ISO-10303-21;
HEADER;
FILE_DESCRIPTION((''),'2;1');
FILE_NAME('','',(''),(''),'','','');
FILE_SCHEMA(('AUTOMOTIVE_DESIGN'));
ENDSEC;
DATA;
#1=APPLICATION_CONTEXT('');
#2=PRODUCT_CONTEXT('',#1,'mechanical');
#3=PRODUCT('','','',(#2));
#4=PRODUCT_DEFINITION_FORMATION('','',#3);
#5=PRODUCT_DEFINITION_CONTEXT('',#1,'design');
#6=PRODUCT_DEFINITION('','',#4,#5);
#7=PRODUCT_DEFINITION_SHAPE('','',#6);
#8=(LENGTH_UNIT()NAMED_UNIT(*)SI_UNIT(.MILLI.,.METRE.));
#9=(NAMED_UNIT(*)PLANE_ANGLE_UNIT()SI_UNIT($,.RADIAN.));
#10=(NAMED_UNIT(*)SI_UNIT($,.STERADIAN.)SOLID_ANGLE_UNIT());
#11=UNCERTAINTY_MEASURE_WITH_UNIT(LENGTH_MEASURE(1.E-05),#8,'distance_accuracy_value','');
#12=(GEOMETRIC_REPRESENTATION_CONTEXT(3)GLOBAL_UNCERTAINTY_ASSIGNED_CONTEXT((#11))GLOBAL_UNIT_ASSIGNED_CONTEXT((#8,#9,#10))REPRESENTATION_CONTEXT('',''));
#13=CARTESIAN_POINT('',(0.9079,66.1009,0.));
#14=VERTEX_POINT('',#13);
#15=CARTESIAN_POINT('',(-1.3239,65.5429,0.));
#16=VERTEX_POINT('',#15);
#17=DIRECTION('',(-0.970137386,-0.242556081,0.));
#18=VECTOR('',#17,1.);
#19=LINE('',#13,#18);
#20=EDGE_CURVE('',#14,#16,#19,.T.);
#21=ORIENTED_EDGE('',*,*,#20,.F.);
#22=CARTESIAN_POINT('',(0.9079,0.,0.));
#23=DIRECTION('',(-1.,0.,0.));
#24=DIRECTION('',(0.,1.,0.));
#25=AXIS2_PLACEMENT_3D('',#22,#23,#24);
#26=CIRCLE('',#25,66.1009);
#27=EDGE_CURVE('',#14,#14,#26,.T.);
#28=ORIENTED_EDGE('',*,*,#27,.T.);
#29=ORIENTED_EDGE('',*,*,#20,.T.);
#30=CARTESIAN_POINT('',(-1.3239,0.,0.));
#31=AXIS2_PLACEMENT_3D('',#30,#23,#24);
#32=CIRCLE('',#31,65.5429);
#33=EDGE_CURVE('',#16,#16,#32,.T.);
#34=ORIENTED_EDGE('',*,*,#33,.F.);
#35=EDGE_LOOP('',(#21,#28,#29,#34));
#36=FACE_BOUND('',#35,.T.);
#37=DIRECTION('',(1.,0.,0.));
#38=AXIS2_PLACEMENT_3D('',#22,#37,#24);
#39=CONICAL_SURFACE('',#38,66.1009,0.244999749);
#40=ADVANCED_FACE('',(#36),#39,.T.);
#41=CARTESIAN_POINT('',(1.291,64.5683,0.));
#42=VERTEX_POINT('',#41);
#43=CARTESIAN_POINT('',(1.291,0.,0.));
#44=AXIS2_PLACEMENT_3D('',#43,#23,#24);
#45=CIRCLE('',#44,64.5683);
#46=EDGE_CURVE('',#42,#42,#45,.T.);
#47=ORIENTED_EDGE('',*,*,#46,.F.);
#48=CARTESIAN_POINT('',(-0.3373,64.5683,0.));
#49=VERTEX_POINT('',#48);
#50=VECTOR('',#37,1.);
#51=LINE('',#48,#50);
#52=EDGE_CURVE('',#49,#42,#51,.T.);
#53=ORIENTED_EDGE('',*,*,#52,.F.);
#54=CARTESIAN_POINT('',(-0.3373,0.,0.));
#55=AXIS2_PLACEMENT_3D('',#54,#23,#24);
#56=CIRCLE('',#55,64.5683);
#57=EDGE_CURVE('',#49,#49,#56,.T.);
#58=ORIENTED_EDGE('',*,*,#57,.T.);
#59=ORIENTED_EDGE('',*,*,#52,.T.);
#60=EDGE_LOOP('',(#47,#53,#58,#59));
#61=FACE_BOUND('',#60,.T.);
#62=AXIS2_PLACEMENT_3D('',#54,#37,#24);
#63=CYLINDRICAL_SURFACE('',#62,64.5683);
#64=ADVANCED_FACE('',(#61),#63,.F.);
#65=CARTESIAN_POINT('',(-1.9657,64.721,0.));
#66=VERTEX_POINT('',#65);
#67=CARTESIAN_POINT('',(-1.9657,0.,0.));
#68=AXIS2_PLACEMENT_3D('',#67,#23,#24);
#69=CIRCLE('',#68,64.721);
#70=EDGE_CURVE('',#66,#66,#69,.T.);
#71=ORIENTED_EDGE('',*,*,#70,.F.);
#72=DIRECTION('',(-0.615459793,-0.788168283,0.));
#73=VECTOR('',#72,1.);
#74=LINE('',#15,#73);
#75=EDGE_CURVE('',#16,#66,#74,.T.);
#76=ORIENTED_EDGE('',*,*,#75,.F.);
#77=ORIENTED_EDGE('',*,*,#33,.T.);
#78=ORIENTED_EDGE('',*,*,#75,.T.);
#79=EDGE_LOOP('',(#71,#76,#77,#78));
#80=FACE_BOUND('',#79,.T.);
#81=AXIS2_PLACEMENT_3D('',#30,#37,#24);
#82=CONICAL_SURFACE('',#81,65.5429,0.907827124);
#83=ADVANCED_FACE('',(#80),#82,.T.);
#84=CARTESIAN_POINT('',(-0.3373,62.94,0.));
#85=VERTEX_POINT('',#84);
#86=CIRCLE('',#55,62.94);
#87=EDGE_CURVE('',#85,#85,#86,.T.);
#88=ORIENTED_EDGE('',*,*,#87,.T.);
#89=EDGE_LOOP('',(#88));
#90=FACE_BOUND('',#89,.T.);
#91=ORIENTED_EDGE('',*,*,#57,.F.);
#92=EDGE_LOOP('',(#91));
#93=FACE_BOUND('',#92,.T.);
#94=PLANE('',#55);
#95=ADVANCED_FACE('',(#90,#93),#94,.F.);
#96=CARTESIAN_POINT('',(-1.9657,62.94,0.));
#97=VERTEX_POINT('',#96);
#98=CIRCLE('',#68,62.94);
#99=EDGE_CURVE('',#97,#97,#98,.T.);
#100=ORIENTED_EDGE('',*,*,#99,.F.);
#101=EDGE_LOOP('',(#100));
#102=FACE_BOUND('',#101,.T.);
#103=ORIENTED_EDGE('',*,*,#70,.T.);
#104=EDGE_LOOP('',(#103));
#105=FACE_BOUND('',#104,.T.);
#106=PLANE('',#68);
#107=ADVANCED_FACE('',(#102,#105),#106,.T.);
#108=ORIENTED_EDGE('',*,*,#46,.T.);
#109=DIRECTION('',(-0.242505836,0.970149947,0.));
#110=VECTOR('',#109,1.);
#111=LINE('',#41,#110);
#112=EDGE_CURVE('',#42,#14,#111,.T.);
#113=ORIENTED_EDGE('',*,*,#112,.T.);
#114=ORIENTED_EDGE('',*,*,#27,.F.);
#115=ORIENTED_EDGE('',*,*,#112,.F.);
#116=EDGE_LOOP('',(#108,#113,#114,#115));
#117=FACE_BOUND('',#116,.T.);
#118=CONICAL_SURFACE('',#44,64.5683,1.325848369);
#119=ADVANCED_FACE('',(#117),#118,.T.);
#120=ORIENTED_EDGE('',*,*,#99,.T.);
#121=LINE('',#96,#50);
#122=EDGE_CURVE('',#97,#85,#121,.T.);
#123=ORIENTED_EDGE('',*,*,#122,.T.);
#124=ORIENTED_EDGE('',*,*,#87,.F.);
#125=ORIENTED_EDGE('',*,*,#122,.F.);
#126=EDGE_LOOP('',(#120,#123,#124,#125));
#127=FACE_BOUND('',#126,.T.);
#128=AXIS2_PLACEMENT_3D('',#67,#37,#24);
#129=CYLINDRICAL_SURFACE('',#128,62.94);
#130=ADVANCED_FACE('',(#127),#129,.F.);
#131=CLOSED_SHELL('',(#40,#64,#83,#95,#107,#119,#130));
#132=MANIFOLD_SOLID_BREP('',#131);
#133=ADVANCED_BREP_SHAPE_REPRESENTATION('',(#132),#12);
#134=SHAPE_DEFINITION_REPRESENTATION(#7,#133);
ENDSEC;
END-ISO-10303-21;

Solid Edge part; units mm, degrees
sketch "Sketch1" plane through (0, 0, 0) normal (0, 0, 1) x (1, 0, 0)
  line L0 (-1.9657, 64.721) -> (-1.9657, 62.94)
  line L1 (-1.9657, 62.94) -> (-0.3373, 62.94)
  line L2 (-0.3373, 62.94) -> (-0.3373, 64.5683)
  line L3 (-0.3373, 64.5683) -> (1.291, 64.5683)
  line L4 (1.291, 64.5683) -> (0.9079, 66.1009)
  line L5 (0.9079, 66.1009) -> (-1.3239, 65.5429)
  line L6 (-1.3239, 65.5429) -> (-1.9657, 64.721)
revolve "RevolvedProtrusion1" add sketch "Sketch1" angle 360 about axis through (50, 0, 0) along (-1, 0, 0)
